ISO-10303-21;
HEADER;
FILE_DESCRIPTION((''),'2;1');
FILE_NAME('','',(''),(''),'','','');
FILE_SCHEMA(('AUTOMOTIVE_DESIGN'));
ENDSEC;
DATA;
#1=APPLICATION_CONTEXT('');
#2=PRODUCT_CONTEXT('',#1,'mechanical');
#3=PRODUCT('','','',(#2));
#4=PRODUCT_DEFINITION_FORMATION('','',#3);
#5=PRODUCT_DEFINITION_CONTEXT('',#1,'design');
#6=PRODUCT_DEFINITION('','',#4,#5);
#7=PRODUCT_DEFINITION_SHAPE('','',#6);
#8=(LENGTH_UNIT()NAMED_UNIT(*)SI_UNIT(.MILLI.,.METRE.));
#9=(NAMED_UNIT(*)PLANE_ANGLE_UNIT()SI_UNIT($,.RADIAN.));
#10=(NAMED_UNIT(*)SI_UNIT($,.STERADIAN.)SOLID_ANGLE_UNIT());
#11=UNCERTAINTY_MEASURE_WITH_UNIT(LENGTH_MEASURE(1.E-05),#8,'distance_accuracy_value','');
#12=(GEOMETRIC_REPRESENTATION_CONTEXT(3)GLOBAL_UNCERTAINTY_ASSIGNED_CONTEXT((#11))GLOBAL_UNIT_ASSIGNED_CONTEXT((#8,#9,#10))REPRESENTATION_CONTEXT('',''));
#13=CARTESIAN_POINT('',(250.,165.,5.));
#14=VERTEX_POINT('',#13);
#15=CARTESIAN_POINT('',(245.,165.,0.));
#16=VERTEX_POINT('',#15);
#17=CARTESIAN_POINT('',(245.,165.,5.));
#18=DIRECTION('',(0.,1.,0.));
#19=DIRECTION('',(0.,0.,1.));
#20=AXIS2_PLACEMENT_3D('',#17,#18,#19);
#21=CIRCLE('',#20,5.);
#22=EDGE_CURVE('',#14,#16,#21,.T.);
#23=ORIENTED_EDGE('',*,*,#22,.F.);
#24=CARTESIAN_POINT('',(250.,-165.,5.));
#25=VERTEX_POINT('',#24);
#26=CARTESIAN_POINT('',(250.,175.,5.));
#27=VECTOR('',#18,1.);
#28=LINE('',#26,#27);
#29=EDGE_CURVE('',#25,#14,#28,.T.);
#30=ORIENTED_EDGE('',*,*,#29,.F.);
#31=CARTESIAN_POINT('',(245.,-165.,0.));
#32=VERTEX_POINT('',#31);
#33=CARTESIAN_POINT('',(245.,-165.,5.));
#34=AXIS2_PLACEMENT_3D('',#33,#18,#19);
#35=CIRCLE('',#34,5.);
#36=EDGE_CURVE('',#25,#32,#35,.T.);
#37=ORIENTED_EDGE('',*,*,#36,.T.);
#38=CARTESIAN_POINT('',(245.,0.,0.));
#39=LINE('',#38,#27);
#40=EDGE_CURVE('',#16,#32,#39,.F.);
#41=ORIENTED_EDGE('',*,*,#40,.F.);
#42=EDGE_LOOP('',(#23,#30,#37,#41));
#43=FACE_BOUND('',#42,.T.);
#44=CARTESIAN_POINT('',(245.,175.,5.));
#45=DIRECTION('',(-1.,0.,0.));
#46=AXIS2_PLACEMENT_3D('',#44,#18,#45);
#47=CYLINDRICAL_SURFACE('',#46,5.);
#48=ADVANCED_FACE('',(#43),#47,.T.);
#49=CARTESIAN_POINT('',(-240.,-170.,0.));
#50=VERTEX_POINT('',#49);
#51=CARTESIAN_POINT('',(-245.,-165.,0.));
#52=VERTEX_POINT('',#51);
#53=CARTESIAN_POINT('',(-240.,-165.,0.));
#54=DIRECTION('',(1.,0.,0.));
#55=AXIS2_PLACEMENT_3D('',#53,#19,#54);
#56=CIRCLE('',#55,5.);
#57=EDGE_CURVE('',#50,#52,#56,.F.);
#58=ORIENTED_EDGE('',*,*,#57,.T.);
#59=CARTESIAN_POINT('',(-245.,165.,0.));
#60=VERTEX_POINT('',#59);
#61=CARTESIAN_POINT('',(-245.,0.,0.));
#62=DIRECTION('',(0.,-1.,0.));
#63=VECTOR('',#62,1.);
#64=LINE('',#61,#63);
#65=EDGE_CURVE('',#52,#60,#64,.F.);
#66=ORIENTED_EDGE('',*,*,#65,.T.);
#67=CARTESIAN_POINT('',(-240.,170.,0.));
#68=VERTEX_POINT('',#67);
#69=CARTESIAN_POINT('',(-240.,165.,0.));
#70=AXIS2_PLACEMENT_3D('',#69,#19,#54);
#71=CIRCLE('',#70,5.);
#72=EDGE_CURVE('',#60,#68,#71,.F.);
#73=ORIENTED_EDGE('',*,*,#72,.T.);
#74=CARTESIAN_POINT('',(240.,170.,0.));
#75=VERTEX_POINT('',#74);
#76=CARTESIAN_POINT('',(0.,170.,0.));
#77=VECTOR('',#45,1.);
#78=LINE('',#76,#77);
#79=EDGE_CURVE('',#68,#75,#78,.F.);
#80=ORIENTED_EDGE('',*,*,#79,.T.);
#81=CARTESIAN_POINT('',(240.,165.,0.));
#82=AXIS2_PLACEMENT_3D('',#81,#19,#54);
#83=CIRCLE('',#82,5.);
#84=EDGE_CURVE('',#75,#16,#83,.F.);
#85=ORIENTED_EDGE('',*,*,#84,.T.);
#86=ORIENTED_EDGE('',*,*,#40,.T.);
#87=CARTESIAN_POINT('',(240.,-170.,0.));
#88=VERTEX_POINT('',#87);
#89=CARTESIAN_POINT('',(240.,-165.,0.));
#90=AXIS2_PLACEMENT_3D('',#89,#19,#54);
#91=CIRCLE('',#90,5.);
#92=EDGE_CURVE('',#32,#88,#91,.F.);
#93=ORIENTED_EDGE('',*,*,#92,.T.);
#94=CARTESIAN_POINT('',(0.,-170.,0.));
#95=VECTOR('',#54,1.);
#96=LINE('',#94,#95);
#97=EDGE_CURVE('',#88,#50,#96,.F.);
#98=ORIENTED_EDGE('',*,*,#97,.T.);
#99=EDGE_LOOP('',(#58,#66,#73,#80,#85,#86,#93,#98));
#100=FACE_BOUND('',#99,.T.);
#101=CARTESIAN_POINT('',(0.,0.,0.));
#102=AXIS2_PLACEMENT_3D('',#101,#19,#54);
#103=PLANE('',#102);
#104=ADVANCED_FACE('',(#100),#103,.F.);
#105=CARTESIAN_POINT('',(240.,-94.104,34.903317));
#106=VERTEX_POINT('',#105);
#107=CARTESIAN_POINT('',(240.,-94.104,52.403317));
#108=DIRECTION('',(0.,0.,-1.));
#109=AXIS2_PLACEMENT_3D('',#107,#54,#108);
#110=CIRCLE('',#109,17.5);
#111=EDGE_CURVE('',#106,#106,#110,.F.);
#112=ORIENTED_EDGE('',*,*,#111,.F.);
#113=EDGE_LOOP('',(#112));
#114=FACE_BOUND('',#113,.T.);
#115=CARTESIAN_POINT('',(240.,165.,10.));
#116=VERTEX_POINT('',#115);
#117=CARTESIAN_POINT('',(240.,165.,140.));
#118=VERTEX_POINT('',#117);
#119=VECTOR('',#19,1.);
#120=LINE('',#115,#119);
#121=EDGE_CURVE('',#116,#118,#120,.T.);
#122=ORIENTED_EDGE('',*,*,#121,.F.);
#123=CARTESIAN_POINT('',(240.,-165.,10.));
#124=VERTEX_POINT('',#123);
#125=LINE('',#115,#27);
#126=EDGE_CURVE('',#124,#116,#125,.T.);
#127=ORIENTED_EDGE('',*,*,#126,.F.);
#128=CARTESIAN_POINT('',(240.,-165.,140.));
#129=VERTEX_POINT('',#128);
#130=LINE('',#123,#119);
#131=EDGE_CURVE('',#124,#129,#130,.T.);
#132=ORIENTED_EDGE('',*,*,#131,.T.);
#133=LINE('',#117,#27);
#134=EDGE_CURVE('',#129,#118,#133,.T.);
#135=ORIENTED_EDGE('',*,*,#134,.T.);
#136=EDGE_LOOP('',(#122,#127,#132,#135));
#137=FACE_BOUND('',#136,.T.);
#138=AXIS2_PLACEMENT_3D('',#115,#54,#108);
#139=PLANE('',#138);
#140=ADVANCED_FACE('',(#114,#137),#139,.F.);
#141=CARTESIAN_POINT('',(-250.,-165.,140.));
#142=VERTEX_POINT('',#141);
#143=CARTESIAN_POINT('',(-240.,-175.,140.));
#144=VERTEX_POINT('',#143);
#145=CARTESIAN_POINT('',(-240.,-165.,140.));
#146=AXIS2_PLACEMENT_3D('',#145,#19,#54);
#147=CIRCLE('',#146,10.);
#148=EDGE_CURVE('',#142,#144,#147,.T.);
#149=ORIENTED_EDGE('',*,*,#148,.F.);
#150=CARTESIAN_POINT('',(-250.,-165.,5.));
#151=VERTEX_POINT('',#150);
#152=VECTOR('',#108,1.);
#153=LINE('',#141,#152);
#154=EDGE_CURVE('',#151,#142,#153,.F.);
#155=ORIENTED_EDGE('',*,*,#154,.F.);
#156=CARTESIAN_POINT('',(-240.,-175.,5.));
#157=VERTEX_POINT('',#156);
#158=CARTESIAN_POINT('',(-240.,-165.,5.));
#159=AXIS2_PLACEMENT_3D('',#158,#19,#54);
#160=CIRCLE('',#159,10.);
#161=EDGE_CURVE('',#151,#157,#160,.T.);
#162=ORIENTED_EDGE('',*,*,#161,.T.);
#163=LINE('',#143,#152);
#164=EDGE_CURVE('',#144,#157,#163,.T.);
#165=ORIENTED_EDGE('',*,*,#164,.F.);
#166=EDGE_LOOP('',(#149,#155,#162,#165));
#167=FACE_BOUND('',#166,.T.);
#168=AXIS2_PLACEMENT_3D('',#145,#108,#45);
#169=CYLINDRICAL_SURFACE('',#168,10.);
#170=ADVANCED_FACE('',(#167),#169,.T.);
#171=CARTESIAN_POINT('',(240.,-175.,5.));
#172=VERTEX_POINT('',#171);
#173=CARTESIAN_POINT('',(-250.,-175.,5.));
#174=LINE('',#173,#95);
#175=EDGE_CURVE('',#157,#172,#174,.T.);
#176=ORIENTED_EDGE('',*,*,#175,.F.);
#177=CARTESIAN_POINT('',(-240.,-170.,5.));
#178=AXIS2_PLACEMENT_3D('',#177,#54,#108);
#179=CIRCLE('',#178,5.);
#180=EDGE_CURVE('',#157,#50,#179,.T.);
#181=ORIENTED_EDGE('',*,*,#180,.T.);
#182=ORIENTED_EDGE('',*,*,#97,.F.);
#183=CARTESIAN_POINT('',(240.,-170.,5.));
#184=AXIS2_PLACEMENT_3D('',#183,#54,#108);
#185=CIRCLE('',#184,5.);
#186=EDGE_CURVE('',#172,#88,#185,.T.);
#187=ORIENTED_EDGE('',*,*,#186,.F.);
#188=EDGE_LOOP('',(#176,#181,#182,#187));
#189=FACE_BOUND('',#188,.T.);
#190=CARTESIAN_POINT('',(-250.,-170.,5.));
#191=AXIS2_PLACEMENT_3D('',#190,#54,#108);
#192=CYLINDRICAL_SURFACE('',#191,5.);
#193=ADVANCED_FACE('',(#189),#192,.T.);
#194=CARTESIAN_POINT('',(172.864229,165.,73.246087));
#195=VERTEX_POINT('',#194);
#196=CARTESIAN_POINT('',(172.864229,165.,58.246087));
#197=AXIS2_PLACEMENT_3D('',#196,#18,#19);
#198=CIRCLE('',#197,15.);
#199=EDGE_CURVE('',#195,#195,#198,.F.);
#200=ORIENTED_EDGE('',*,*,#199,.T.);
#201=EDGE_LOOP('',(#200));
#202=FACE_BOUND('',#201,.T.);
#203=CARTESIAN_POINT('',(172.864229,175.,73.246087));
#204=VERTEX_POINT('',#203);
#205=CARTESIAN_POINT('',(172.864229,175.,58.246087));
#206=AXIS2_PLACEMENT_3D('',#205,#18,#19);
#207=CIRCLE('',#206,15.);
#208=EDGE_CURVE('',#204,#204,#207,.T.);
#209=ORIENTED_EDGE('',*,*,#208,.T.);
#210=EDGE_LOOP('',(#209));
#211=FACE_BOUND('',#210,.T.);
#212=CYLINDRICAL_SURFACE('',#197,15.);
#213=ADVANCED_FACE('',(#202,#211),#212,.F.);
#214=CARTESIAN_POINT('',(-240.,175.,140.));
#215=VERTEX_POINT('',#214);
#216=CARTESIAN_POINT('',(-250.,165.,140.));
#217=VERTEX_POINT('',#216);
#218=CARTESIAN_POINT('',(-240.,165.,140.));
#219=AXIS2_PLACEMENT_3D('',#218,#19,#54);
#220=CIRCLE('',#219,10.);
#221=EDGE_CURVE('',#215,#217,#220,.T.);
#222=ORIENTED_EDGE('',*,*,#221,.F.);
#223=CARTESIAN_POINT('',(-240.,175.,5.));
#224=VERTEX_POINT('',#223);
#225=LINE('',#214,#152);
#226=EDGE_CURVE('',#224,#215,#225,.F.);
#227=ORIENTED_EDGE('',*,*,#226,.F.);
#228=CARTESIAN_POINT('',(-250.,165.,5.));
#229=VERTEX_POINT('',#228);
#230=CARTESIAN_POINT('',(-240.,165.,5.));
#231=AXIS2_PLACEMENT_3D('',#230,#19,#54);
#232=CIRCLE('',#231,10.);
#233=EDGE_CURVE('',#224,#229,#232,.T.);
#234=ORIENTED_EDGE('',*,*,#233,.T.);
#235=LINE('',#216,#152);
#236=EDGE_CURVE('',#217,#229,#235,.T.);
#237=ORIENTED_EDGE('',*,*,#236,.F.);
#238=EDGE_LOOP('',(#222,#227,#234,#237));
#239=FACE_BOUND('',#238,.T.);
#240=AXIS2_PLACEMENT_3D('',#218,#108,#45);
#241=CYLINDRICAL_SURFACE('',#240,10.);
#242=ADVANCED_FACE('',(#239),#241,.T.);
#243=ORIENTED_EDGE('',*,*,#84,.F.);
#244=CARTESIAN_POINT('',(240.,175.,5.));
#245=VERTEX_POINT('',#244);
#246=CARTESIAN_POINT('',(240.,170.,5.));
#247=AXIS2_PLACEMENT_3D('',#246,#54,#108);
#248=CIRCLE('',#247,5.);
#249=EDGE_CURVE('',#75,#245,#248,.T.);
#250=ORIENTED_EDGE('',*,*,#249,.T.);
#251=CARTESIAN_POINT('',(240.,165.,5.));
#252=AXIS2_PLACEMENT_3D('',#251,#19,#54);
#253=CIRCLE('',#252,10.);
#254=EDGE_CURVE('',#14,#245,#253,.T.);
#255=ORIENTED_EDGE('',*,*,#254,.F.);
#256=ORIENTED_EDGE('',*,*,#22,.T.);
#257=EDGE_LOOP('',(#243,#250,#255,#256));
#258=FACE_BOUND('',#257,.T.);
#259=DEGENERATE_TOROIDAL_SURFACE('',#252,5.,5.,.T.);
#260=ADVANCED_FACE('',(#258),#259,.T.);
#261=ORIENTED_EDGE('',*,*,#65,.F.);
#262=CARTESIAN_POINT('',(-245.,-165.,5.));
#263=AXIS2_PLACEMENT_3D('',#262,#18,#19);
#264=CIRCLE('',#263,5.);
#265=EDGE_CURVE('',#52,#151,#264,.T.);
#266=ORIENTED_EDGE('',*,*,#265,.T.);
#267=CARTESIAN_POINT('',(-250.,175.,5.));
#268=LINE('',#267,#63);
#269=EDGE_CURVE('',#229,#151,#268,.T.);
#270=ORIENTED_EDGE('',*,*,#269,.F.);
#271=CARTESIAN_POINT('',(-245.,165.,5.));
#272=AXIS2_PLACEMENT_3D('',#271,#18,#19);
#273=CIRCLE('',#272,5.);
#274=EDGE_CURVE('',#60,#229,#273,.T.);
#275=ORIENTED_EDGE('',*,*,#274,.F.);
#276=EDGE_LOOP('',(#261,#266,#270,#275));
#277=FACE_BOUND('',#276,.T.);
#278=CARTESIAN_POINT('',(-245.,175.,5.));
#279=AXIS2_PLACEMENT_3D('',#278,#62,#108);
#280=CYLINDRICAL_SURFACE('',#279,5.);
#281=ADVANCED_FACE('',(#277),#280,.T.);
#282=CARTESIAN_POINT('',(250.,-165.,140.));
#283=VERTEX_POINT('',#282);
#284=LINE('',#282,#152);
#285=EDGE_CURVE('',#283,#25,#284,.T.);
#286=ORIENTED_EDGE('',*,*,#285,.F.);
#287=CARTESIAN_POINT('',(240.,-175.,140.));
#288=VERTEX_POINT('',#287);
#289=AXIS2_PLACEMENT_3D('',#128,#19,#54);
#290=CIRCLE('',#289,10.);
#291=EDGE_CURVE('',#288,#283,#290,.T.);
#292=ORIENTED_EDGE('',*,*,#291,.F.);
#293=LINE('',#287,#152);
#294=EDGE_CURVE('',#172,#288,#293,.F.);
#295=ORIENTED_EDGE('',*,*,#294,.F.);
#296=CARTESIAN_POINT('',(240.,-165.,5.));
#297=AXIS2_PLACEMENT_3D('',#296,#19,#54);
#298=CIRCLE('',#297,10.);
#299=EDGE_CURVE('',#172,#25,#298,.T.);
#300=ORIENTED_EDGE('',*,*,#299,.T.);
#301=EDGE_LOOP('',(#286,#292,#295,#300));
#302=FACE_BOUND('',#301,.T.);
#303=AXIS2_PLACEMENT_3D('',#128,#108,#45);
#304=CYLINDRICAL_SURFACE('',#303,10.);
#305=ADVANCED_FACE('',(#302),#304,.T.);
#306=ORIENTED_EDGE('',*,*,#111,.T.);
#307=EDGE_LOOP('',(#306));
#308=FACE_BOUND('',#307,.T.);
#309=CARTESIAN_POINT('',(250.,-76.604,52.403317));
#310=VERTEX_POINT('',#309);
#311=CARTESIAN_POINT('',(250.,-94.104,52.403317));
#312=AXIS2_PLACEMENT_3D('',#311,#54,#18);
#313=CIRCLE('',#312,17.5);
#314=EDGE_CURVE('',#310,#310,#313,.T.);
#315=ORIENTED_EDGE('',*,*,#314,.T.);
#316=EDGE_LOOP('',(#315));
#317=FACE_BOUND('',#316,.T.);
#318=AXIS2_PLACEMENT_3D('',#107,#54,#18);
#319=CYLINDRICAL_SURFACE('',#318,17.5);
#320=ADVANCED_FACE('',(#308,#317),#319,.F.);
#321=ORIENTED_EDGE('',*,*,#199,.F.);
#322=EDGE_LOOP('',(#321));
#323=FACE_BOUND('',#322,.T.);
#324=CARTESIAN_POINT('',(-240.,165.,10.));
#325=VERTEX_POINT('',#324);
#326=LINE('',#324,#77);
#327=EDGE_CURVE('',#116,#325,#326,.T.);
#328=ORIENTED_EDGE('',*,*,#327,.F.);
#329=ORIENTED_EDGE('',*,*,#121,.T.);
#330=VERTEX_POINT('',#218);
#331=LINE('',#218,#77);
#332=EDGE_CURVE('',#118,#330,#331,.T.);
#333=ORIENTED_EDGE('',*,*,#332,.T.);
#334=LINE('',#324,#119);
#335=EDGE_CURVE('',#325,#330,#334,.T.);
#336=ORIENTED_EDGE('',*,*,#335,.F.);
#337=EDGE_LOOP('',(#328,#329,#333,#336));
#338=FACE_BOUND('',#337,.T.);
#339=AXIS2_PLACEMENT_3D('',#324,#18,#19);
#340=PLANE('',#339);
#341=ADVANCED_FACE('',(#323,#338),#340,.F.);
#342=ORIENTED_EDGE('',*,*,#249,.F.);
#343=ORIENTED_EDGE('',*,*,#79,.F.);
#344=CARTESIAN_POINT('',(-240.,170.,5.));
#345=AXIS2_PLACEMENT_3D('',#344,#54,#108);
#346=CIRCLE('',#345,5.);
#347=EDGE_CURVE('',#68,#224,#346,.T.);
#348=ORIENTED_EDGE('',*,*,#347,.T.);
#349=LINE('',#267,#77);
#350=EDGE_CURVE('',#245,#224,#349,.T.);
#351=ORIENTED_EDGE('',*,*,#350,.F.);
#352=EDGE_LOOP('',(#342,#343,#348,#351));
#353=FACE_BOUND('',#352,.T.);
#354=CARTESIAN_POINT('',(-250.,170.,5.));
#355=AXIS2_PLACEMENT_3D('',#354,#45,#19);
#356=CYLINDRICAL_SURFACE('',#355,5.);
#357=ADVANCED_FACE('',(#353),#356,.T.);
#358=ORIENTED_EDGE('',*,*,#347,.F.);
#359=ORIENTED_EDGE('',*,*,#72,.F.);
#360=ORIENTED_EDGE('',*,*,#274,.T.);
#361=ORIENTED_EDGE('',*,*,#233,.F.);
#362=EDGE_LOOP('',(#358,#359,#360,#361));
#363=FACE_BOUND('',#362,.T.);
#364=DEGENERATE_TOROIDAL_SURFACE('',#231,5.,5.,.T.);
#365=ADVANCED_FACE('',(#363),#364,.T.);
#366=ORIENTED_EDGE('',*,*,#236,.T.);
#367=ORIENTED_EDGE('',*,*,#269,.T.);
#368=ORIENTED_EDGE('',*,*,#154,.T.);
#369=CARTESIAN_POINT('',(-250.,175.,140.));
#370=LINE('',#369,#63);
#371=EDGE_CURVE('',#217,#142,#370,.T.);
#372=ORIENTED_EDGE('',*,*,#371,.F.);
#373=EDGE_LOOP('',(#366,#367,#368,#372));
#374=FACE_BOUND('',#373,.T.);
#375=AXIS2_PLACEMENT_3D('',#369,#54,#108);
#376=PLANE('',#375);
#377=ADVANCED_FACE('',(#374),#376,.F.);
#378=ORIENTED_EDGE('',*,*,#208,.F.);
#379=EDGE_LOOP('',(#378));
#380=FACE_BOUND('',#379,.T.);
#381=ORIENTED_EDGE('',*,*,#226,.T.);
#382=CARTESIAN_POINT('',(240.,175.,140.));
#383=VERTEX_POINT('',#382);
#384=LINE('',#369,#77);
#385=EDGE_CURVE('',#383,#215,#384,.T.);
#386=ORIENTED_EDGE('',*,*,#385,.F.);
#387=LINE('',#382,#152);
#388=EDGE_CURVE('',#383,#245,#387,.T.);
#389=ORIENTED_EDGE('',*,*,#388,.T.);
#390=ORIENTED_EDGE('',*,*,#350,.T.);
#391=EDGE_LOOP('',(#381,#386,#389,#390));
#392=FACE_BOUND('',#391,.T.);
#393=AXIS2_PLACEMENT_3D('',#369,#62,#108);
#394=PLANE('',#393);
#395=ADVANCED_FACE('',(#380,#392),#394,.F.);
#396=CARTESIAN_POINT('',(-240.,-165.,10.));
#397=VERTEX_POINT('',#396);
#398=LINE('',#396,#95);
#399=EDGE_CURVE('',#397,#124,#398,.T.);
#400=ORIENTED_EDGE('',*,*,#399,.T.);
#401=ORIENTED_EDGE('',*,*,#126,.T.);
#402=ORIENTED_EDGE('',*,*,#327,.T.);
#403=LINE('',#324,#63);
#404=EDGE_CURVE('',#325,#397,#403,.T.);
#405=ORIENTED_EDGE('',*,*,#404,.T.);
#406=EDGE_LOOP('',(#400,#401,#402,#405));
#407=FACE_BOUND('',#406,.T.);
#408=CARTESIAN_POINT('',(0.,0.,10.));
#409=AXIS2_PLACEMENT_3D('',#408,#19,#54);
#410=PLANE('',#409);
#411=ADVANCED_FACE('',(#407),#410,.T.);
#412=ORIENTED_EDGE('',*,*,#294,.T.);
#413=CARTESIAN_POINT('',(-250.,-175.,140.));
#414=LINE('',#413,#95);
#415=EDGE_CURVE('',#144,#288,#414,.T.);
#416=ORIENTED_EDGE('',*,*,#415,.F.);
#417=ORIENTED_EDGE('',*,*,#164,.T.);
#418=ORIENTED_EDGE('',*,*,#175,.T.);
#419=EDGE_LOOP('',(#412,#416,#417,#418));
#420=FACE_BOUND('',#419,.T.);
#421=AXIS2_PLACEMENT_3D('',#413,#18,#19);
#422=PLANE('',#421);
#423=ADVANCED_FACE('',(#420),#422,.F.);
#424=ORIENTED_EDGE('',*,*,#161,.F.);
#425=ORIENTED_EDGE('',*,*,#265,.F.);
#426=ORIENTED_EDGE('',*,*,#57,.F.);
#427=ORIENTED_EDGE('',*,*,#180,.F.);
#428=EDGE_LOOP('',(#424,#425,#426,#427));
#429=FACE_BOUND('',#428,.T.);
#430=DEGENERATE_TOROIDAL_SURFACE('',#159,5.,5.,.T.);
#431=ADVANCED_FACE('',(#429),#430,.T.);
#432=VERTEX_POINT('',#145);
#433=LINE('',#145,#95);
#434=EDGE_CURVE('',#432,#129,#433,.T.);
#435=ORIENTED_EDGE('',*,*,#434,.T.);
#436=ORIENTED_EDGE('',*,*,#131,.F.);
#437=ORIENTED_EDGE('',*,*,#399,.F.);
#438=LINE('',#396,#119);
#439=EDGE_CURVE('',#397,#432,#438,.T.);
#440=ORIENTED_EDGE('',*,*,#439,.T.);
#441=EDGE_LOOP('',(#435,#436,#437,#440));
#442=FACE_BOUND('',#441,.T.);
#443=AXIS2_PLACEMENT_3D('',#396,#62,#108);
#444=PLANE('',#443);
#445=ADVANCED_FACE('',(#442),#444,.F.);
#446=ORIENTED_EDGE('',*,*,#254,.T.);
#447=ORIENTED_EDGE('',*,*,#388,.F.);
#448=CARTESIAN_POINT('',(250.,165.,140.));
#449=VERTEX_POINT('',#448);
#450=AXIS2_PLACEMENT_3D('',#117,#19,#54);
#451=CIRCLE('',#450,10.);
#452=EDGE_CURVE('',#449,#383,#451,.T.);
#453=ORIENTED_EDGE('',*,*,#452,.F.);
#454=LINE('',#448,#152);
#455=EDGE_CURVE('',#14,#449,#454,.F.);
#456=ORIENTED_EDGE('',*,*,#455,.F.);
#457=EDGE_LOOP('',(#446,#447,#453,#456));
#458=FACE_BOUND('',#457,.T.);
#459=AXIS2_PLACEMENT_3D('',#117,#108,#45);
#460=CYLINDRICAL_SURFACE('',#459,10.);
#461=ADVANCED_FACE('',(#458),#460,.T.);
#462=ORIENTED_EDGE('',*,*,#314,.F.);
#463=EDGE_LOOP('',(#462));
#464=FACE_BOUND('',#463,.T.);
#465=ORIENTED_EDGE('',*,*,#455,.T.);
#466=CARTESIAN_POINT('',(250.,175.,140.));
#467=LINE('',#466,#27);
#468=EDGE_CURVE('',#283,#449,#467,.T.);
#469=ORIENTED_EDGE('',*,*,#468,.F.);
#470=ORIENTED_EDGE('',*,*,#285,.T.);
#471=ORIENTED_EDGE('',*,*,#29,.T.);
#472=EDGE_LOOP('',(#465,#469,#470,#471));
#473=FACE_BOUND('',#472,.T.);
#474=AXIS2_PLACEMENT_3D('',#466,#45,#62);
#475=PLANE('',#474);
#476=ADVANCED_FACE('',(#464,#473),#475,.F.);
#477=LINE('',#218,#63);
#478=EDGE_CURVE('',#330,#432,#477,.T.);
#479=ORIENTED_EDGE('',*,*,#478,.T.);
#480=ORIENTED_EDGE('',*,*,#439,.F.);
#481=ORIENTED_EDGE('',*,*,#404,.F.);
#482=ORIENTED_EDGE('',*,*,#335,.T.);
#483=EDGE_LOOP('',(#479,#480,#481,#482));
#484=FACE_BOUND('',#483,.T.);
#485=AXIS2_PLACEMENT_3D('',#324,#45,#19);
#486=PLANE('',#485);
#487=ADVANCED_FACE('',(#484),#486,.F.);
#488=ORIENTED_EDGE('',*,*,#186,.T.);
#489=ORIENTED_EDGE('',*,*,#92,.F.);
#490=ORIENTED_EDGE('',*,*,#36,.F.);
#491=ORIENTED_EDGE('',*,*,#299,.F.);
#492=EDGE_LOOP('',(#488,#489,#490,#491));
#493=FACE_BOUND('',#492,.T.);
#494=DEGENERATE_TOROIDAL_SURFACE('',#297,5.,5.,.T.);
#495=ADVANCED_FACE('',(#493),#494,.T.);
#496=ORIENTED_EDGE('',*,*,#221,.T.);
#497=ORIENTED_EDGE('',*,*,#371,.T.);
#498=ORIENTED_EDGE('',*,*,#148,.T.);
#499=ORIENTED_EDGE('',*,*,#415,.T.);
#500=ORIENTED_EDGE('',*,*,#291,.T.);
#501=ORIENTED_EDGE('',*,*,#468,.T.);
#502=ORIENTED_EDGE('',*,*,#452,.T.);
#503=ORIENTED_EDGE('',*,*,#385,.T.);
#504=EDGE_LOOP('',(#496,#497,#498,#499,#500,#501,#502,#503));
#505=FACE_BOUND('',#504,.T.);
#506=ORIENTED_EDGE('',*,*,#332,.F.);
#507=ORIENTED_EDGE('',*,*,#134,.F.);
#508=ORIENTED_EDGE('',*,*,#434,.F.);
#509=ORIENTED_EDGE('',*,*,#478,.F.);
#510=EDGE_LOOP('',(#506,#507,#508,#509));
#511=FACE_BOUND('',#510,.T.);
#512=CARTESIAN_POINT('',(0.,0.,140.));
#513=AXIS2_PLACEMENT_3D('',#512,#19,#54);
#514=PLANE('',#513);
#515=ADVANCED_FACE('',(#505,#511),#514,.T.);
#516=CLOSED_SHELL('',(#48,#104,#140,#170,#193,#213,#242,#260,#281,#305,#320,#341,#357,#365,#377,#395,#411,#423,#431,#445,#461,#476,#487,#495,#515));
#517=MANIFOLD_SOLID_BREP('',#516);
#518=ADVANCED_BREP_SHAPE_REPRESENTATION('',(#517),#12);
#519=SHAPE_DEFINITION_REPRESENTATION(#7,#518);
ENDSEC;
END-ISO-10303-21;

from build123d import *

# Parameters (mm, degrees)
SKETCH1_W           = 500
SKETCH1_H           = 350
BOSS_EXTRUDE2_DEPTH = 140
SKETCH2_R           = 17.5
CUT_EXTRUDE1_DEPTH  = 10
SKETCH3_R           = 15
CUT_EXTRUDE2_DEPTH  = 10
SKETCH4_W           = 480
SKETCH4_H           = 330
CUT_EXTRUDE3_DEPTH  = 130
FILLET1_R           = 10
FILLET3_R           = 5


with BuildPart() as part:
    # Sketch1 → Boss-Extrude2 (new body)
    with BuildSketch(Plane.XY):
        Rectangle(SKETCH1_W, SKETCH1_H)
    extrude(amount=BOSS_EXTRUDE2_DEPTH)

    # Sketch2 → Cut-Extrude1 (cut)
    with BuildSketch(Plane(origin=(250, 0, 0), x_dir=(0, 0, -1), z_dir=(1, 0, 0))):
        with Locations(Location((-52.403317004, -94.104000371, 0), (0, 0, 90))):
            Circle(SKETCH2_R)
    extrude(amount=-CUT_EXTRUDE1_DEPTH, mode=Mode.SUBTRACT)

    # Sketch3 → Cut-Extrude2 (cut)
    with BuildSketch(Plane(origin=(0, 175, 0), x_dir=(1, 0, 0), z_dir=(0, 1, 0))):
        with Locations(Location((172.864228893, -58.246086874, 0), (0, 0, 270))):
            Circle(SKETCH3_R)
    extrude(amount=-CUT_EXTRUDE2_DEPTH, mode=Mode.SUBTRACT)

    # Sketch4 → Cut-Extrude3 (cut)
    with BuildSketch(Plane.XY.offset(140)):
        Rectangle(SKETCH4_W, SKETCH4_H)
    extrude(amount=-CUT_EXTRUDE3_DEPTH, mode=Mode.SUBTRACT)

    # Fillet1
    fillet1_edges = [part.edges().sort_by_distance(p)[0] for p in [
        (250, -175, 70),
        (-250, -175, 70),
        (-250, 175, 70),
        (250, 175, 70),
    ]]
    fillet(fillet1_edges, radius=FILLET1_R)

    # Fillet3
    fillet3_edges = [part.edges().sort_by_distance(p)[0] for p in [
        (0, 175, 0),
        (250, 0, 0),
        (0, -175, 0),
        (-250, 0, 0),
        (-247.071067812, -172.071067812, 0),
        (-247.071067812, 172.071067812, 0),
        (247.071067812, -172.071067812, 0),
        (247.071067812, 172.071067812, 0),
    ]]
    fillet(fillet3_edges, radius=FILLET3_R)


solid = part.part
